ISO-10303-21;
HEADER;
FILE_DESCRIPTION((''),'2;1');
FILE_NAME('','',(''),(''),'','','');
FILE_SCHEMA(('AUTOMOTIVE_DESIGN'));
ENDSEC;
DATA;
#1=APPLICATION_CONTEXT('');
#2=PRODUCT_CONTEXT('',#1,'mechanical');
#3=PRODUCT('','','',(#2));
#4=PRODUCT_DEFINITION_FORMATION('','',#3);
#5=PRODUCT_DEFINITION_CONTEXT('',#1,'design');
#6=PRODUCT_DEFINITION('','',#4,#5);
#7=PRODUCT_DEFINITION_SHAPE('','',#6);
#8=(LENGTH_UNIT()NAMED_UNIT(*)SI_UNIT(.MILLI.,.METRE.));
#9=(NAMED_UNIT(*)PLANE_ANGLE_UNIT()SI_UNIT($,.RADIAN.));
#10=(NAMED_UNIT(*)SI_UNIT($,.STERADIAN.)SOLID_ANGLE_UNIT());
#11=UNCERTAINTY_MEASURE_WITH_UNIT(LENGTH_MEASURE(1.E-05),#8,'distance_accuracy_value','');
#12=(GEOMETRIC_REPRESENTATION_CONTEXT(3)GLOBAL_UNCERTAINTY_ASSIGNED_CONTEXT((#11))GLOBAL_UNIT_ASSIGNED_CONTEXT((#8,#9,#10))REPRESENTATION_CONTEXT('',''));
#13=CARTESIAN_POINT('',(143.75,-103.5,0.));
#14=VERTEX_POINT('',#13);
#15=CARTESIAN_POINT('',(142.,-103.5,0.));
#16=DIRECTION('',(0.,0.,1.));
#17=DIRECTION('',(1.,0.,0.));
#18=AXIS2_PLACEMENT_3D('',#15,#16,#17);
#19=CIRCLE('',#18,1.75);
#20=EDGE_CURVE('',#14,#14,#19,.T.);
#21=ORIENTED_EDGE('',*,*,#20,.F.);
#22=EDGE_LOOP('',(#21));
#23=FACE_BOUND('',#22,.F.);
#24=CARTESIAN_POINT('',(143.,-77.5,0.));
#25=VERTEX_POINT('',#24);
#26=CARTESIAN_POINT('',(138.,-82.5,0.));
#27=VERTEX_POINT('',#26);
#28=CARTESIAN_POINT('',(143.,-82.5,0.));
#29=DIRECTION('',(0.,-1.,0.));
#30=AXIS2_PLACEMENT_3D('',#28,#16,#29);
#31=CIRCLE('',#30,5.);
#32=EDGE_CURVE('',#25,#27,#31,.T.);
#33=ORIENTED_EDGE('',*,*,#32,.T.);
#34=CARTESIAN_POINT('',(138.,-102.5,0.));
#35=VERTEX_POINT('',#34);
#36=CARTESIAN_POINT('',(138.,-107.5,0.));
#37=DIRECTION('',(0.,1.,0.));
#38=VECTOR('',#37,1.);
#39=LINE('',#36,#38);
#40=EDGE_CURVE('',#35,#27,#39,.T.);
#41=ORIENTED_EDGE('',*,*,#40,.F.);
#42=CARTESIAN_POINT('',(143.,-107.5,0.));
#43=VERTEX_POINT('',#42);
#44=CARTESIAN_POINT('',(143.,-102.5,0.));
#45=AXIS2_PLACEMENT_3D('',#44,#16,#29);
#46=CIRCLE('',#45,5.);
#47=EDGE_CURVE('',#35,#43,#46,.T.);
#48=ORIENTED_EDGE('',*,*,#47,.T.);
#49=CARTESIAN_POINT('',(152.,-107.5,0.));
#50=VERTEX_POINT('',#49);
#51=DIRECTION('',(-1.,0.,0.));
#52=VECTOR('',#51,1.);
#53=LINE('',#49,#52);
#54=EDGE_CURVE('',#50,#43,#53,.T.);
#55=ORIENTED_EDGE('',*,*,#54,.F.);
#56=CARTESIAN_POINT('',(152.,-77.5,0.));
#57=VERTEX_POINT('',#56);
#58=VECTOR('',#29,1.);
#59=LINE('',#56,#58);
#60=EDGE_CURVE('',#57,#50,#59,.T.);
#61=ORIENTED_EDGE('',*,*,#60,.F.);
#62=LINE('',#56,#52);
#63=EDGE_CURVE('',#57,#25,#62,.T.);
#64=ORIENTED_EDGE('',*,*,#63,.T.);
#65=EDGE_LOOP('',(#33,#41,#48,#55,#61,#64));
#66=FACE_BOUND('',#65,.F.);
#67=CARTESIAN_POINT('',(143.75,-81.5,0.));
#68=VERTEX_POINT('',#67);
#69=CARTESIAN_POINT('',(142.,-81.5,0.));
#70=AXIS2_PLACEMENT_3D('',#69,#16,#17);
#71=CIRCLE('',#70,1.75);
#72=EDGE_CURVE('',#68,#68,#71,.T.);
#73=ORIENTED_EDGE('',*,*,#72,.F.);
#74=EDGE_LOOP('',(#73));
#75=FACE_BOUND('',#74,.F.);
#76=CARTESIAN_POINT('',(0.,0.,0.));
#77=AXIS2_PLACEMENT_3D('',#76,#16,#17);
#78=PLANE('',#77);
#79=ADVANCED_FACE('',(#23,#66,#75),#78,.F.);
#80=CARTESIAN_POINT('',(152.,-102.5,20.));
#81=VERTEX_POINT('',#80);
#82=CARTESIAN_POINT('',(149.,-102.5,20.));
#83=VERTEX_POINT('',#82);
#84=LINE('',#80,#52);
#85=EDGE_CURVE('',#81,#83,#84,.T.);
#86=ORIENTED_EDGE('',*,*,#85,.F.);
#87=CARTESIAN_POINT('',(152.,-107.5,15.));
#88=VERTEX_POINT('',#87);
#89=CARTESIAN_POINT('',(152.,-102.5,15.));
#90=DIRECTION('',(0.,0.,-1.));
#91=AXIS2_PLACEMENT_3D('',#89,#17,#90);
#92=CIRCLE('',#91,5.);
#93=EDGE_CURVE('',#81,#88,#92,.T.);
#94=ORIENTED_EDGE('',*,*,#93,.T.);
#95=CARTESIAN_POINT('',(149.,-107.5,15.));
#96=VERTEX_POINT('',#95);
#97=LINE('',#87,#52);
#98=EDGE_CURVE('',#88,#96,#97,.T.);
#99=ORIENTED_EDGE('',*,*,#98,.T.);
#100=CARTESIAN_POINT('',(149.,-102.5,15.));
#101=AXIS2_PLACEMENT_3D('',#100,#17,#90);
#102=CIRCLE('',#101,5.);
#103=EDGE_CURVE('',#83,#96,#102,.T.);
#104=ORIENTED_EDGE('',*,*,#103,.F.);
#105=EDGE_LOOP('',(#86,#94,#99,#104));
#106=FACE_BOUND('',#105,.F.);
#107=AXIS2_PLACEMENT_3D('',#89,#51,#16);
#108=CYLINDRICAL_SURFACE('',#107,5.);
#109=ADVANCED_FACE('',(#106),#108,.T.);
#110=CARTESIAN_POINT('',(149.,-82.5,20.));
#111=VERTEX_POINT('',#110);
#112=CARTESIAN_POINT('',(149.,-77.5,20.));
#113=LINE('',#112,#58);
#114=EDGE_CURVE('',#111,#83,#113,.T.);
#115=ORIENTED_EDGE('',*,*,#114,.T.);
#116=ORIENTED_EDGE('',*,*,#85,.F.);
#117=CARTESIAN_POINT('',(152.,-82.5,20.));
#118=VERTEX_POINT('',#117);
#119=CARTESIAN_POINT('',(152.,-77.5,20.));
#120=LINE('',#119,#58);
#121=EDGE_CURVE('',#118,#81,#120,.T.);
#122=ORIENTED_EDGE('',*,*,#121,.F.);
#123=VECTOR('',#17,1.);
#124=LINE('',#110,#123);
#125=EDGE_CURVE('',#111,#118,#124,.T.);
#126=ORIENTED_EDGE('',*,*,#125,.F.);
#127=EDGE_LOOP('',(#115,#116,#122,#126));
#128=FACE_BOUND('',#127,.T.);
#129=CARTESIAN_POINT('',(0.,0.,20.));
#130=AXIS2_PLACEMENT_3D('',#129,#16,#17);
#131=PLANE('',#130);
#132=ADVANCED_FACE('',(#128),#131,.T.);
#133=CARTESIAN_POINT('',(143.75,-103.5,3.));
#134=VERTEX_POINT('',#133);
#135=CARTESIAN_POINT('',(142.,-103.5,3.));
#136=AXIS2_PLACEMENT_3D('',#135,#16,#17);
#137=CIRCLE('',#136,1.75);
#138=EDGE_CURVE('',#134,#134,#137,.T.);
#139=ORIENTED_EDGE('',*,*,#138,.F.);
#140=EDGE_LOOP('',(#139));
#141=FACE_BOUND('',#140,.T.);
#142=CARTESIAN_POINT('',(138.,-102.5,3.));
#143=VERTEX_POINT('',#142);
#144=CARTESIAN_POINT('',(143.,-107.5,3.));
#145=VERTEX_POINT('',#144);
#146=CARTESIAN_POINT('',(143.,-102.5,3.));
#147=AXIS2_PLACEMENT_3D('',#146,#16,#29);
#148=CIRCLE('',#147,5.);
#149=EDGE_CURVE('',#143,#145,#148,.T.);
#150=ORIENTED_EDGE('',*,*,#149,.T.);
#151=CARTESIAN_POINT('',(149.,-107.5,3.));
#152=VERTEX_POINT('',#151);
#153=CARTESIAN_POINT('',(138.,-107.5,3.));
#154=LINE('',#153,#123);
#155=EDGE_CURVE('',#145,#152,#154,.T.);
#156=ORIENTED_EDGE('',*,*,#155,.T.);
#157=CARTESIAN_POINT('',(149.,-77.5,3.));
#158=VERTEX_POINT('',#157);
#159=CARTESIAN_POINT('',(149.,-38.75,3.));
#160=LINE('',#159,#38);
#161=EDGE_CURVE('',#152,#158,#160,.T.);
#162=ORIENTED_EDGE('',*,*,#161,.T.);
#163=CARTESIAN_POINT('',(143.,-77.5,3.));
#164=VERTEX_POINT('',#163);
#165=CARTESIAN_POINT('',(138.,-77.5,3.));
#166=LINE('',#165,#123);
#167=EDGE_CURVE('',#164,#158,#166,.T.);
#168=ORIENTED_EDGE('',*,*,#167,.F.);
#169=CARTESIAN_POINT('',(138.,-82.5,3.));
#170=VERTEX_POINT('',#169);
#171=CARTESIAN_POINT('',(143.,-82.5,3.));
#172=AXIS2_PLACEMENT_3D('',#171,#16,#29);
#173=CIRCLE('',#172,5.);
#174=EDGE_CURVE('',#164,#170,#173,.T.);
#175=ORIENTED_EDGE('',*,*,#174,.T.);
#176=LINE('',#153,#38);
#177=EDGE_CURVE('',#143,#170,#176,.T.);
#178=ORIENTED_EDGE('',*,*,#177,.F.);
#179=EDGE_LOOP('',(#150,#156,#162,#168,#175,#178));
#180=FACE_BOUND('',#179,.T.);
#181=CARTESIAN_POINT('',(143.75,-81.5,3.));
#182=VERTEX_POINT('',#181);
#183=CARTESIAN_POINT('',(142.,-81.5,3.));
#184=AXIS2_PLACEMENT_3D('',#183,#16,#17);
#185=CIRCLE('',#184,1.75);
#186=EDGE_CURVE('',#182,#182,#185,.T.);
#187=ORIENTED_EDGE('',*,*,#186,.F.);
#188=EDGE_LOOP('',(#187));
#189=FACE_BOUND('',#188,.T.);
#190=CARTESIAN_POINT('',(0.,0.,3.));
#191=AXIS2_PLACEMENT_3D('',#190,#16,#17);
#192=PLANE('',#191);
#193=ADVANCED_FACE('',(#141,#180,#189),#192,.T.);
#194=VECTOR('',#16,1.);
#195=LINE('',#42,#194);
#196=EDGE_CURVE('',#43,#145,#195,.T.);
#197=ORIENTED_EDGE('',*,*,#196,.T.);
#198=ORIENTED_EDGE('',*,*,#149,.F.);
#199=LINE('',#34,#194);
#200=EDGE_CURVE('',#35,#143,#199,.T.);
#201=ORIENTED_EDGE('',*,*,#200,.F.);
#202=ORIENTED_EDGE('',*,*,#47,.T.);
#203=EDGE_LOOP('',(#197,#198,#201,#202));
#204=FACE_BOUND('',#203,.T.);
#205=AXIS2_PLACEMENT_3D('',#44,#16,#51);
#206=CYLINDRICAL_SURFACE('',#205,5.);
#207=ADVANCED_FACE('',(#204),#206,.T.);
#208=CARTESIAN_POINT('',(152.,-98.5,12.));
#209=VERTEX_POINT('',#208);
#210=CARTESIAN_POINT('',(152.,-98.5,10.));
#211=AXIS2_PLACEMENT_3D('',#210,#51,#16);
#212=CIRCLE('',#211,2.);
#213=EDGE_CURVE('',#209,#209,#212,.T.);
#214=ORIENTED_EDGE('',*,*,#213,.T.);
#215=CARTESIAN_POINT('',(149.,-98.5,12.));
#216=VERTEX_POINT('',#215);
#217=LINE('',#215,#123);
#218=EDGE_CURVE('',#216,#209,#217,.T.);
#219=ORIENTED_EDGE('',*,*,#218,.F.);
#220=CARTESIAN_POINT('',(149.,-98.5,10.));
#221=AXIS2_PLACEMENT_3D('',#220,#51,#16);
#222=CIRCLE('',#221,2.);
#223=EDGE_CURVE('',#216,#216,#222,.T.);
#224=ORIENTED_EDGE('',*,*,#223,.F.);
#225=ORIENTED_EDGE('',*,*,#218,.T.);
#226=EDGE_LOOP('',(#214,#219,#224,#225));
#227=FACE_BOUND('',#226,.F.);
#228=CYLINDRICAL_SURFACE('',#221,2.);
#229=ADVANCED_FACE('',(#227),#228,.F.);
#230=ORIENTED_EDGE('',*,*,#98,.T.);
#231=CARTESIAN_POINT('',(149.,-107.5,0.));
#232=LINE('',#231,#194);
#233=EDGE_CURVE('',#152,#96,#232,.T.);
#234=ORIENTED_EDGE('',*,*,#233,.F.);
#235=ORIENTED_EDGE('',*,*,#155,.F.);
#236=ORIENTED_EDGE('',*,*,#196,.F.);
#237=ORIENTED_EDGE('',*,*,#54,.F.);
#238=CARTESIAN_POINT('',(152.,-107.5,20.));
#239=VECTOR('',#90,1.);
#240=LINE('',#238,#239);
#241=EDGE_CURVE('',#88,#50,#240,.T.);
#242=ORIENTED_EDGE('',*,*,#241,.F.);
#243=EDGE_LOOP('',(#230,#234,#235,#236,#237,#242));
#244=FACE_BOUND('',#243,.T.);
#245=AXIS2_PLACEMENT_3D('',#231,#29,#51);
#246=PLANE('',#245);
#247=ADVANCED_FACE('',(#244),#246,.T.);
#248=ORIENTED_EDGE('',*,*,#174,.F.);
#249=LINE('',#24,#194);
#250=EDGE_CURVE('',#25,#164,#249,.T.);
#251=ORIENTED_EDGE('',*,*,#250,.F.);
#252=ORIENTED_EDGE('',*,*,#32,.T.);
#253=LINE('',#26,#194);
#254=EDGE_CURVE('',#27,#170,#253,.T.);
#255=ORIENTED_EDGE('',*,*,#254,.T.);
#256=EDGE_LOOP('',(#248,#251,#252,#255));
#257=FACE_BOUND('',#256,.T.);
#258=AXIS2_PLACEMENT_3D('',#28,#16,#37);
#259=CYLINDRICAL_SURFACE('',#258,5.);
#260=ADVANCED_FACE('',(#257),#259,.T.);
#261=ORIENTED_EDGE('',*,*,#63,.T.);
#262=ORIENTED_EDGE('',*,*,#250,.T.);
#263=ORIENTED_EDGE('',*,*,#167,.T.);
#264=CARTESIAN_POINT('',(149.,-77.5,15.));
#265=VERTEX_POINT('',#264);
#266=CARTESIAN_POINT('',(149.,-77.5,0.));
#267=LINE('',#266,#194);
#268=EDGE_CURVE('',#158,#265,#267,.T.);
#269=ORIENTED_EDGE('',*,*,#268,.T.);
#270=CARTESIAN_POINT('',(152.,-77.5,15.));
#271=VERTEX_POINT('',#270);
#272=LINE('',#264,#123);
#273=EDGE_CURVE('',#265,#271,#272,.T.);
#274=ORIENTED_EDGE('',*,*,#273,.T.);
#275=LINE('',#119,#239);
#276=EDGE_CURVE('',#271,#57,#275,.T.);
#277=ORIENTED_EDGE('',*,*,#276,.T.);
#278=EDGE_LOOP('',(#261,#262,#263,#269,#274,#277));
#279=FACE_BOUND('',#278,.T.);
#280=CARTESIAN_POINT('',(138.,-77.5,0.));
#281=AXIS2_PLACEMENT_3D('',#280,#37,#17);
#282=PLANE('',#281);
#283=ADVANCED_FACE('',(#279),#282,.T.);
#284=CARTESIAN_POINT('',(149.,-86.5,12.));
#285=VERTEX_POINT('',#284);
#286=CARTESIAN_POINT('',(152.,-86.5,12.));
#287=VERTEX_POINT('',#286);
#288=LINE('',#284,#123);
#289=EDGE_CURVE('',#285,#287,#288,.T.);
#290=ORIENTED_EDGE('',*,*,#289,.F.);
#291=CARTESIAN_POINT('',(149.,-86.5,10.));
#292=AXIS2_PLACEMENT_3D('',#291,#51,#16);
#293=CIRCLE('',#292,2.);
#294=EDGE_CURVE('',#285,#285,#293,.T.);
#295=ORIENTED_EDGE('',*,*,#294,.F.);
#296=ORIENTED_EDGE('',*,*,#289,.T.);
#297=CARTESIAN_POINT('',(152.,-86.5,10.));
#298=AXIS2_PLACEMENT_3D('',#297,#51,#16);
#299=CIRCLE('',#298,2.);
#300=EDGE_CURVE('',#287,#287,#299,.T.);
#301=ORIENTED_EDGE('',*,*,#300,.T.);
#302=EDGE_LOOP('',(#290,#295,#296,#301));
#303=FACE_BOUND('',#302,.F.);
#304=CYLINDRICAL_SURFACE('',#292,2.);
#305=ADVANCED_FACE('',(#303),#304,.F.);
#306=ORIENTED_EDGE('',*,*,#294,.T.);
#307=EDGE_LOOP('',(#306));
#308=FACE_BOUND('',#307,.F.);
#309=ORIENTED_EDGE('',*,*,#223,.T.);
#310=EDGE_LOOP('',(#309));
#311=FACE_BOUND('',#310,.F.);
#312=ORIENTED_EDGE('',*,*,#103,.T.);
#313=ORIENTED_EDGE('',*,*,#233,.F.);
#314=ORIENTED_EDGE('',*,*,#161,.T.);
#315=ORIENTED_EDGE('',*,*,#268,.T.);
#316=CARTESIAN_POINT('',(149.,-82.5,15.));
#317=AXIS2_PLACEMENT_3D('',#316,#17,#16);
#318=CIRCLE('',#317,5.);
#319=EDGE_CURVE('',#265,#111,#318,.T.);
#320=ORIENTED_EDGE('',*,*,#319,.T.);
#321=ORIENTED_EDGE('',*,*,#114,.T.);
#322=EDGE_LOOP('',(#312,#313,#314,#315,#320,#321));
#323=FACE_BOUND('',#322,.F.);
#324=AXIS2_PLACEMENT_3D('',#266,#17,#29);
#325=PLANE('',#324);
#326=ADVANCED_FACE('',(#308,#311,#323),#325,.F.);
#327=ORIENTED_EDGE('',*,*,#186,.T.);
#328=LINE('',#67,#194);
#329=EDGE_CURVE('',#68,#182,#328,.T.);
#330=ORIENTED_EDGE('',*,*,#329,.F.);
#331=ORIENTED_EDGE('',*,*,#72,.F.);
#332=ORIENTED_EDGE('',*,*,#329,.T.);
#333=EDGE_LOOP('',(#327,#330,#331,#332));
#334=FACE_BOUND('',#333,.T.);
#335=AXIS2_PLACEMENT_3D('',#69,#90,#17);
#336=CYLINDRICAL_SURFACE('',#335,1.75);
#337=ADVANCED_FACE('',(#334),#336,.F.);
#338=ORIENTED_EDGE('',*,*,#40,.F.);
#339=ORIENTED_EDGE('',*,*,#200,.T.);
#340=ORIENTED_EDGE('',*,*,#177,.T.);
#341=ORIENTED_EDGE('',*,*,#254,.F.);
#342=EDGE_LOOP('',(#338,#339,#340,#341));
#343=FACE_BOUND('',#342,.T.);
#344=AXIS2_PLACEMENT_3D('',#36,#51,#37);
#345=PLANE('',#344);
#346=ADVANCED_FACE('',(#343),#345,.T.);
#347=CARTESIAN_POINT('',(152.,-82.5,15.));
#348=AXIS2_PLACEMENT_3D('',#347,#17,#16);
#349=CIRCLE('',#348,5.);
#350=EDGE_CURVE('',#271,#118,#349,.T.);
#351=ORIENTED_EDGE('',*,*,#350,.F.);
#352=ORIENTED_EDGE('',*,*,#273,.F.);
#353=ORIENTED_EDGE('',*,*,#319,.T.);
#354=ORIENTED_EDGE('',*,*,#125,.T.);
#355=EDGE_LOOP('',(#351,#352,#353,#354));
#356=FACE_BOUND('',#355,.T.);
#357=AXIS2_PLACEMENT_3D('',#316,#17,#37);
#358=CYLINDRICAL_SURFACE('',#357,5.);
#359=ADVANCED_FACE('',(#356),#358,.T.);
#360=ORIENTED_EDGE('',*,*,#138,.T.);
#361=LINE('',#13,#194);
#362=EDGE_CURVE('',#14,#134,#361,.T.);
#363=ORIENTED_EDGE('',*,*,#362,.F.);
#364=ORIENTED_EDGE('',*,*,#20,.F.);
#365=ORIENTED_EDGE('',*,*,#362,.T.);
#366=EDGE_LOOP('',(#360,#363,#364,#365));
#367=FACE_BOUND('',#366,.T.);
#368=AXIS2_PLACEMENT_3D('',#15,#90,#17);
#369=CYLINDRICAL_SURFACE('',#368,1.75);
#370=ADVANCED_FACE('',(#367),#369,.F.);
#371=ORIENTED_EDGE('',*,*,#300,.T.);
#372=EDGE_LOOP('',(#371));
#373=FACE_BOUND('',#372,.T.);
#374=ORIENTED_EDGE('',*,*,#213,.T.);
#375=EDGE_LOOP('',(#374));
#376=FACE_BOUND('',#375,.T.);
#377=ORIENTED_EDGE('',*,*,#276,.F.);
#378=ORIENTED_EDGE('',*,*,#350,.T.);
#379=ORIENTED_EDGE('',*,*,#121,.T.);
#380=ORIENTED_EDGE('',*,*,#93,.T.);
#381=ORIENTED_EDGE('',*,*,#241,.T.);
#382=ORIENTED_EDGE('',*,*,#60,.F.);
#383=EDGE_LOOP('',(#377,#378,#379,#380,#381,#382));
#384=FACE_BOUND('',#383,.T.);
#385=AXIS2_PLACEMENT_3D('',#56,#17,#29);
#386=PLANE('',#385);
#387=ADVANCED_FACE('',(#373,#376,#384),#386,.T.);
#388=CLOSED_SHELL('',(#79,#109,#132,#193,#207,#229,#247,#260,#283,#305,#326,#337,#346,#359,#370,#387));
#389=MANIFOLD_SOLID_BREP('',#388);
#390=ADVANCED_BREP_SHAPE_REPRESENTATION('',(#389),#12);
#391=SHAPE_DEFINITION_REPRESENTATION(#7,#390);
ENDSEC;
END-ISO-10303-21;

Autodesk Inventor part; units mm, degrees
ref_plane "YZ Plane" through (0, 0, 0) normal (1, 0, 0) x (0, 1, 0)
ref_plane "XZ Plane" through (0, 0, 0) normal (0, 1, 0) x (-1, 0, 0)
ref_plane "XY Plane" through (0, 0, 0) normal (0, 0, 1) x (1, 0, 0)
sketch "Эскиз1" plane through (0, 0, 0) normal (0, 0, 1) x (1, 0, 0)
  circle A0 centre (142, -81.5) radius 3.75 construction
  circle A1 centre (142, -103.5) radius 3.75 construction
  circle A2 centre (142, -81.5) radius 1.75
  circle A3 centre (142, -103.5) radius 1.75
  line L0 (138, -77.5) -> (152, -77.5)
  line L1 (152, -77.5) -> (152, -107.5)
  line L2 (152, -107.5) -> (138, -107.5)
  line L3 (138, -107.5) -> (138, -77.5)
  line L4 (152, -77.5) -> (149, -77.5)
  line L5 (149, -77.5) -> (149, -107.5)
  line L6 (149, -107.5) -> (152, -107.5)
  line L7 (152, -107.5) -> (152, -77.5)
  point P0 (0, 0)
  dimension "d0" = 3.5
  dimension "d1" = 3.5
  dimension "d2" = 4
  dimension "d3" = 10
  dimension "d4" = 4
  dimension "d5" = 4
  dimension "d6" = 3
extrude "Выдавливание1" add sketch "Эскиз1" along normal blind 3
extrude "Выдавливание2" add sketch "Эскиз1" along normal blind 20 contours L0 L1 L2 L5
sketch "Эскиз2" plane through (149, -107.5, 3) normal (-1, 0, 0) x (0, 0, 1)
  circle A0 centre (7, 21) radius 2
  circle A1 centre (7, 9) radius 2
  line L0 (0, 30) -> (17, 30) projected
  line L1 (0, 0) -> (17, 0) projected
  line L2 (17, 30) -> (17, 0) projected
  point P0 (-3, 107.5)
  dimension "d11" = 4
  dimension "d12" = 4
  dimension "d13" = 12
  dimension "d14" = 9
  dimension "d16" = 10
  dimension "d17" = 10
extrude "Выдавливание3" cut sketch "Эскиз2" against normal blind 10
fillet "Сопряжение1" radius 5 4 edges at (150.5, -77.5, 20) (150.5, -107.5, 20) (138, -77.5, 1.5) (138, -107.5, 1.5)
properties part number "креление кабельканала"
